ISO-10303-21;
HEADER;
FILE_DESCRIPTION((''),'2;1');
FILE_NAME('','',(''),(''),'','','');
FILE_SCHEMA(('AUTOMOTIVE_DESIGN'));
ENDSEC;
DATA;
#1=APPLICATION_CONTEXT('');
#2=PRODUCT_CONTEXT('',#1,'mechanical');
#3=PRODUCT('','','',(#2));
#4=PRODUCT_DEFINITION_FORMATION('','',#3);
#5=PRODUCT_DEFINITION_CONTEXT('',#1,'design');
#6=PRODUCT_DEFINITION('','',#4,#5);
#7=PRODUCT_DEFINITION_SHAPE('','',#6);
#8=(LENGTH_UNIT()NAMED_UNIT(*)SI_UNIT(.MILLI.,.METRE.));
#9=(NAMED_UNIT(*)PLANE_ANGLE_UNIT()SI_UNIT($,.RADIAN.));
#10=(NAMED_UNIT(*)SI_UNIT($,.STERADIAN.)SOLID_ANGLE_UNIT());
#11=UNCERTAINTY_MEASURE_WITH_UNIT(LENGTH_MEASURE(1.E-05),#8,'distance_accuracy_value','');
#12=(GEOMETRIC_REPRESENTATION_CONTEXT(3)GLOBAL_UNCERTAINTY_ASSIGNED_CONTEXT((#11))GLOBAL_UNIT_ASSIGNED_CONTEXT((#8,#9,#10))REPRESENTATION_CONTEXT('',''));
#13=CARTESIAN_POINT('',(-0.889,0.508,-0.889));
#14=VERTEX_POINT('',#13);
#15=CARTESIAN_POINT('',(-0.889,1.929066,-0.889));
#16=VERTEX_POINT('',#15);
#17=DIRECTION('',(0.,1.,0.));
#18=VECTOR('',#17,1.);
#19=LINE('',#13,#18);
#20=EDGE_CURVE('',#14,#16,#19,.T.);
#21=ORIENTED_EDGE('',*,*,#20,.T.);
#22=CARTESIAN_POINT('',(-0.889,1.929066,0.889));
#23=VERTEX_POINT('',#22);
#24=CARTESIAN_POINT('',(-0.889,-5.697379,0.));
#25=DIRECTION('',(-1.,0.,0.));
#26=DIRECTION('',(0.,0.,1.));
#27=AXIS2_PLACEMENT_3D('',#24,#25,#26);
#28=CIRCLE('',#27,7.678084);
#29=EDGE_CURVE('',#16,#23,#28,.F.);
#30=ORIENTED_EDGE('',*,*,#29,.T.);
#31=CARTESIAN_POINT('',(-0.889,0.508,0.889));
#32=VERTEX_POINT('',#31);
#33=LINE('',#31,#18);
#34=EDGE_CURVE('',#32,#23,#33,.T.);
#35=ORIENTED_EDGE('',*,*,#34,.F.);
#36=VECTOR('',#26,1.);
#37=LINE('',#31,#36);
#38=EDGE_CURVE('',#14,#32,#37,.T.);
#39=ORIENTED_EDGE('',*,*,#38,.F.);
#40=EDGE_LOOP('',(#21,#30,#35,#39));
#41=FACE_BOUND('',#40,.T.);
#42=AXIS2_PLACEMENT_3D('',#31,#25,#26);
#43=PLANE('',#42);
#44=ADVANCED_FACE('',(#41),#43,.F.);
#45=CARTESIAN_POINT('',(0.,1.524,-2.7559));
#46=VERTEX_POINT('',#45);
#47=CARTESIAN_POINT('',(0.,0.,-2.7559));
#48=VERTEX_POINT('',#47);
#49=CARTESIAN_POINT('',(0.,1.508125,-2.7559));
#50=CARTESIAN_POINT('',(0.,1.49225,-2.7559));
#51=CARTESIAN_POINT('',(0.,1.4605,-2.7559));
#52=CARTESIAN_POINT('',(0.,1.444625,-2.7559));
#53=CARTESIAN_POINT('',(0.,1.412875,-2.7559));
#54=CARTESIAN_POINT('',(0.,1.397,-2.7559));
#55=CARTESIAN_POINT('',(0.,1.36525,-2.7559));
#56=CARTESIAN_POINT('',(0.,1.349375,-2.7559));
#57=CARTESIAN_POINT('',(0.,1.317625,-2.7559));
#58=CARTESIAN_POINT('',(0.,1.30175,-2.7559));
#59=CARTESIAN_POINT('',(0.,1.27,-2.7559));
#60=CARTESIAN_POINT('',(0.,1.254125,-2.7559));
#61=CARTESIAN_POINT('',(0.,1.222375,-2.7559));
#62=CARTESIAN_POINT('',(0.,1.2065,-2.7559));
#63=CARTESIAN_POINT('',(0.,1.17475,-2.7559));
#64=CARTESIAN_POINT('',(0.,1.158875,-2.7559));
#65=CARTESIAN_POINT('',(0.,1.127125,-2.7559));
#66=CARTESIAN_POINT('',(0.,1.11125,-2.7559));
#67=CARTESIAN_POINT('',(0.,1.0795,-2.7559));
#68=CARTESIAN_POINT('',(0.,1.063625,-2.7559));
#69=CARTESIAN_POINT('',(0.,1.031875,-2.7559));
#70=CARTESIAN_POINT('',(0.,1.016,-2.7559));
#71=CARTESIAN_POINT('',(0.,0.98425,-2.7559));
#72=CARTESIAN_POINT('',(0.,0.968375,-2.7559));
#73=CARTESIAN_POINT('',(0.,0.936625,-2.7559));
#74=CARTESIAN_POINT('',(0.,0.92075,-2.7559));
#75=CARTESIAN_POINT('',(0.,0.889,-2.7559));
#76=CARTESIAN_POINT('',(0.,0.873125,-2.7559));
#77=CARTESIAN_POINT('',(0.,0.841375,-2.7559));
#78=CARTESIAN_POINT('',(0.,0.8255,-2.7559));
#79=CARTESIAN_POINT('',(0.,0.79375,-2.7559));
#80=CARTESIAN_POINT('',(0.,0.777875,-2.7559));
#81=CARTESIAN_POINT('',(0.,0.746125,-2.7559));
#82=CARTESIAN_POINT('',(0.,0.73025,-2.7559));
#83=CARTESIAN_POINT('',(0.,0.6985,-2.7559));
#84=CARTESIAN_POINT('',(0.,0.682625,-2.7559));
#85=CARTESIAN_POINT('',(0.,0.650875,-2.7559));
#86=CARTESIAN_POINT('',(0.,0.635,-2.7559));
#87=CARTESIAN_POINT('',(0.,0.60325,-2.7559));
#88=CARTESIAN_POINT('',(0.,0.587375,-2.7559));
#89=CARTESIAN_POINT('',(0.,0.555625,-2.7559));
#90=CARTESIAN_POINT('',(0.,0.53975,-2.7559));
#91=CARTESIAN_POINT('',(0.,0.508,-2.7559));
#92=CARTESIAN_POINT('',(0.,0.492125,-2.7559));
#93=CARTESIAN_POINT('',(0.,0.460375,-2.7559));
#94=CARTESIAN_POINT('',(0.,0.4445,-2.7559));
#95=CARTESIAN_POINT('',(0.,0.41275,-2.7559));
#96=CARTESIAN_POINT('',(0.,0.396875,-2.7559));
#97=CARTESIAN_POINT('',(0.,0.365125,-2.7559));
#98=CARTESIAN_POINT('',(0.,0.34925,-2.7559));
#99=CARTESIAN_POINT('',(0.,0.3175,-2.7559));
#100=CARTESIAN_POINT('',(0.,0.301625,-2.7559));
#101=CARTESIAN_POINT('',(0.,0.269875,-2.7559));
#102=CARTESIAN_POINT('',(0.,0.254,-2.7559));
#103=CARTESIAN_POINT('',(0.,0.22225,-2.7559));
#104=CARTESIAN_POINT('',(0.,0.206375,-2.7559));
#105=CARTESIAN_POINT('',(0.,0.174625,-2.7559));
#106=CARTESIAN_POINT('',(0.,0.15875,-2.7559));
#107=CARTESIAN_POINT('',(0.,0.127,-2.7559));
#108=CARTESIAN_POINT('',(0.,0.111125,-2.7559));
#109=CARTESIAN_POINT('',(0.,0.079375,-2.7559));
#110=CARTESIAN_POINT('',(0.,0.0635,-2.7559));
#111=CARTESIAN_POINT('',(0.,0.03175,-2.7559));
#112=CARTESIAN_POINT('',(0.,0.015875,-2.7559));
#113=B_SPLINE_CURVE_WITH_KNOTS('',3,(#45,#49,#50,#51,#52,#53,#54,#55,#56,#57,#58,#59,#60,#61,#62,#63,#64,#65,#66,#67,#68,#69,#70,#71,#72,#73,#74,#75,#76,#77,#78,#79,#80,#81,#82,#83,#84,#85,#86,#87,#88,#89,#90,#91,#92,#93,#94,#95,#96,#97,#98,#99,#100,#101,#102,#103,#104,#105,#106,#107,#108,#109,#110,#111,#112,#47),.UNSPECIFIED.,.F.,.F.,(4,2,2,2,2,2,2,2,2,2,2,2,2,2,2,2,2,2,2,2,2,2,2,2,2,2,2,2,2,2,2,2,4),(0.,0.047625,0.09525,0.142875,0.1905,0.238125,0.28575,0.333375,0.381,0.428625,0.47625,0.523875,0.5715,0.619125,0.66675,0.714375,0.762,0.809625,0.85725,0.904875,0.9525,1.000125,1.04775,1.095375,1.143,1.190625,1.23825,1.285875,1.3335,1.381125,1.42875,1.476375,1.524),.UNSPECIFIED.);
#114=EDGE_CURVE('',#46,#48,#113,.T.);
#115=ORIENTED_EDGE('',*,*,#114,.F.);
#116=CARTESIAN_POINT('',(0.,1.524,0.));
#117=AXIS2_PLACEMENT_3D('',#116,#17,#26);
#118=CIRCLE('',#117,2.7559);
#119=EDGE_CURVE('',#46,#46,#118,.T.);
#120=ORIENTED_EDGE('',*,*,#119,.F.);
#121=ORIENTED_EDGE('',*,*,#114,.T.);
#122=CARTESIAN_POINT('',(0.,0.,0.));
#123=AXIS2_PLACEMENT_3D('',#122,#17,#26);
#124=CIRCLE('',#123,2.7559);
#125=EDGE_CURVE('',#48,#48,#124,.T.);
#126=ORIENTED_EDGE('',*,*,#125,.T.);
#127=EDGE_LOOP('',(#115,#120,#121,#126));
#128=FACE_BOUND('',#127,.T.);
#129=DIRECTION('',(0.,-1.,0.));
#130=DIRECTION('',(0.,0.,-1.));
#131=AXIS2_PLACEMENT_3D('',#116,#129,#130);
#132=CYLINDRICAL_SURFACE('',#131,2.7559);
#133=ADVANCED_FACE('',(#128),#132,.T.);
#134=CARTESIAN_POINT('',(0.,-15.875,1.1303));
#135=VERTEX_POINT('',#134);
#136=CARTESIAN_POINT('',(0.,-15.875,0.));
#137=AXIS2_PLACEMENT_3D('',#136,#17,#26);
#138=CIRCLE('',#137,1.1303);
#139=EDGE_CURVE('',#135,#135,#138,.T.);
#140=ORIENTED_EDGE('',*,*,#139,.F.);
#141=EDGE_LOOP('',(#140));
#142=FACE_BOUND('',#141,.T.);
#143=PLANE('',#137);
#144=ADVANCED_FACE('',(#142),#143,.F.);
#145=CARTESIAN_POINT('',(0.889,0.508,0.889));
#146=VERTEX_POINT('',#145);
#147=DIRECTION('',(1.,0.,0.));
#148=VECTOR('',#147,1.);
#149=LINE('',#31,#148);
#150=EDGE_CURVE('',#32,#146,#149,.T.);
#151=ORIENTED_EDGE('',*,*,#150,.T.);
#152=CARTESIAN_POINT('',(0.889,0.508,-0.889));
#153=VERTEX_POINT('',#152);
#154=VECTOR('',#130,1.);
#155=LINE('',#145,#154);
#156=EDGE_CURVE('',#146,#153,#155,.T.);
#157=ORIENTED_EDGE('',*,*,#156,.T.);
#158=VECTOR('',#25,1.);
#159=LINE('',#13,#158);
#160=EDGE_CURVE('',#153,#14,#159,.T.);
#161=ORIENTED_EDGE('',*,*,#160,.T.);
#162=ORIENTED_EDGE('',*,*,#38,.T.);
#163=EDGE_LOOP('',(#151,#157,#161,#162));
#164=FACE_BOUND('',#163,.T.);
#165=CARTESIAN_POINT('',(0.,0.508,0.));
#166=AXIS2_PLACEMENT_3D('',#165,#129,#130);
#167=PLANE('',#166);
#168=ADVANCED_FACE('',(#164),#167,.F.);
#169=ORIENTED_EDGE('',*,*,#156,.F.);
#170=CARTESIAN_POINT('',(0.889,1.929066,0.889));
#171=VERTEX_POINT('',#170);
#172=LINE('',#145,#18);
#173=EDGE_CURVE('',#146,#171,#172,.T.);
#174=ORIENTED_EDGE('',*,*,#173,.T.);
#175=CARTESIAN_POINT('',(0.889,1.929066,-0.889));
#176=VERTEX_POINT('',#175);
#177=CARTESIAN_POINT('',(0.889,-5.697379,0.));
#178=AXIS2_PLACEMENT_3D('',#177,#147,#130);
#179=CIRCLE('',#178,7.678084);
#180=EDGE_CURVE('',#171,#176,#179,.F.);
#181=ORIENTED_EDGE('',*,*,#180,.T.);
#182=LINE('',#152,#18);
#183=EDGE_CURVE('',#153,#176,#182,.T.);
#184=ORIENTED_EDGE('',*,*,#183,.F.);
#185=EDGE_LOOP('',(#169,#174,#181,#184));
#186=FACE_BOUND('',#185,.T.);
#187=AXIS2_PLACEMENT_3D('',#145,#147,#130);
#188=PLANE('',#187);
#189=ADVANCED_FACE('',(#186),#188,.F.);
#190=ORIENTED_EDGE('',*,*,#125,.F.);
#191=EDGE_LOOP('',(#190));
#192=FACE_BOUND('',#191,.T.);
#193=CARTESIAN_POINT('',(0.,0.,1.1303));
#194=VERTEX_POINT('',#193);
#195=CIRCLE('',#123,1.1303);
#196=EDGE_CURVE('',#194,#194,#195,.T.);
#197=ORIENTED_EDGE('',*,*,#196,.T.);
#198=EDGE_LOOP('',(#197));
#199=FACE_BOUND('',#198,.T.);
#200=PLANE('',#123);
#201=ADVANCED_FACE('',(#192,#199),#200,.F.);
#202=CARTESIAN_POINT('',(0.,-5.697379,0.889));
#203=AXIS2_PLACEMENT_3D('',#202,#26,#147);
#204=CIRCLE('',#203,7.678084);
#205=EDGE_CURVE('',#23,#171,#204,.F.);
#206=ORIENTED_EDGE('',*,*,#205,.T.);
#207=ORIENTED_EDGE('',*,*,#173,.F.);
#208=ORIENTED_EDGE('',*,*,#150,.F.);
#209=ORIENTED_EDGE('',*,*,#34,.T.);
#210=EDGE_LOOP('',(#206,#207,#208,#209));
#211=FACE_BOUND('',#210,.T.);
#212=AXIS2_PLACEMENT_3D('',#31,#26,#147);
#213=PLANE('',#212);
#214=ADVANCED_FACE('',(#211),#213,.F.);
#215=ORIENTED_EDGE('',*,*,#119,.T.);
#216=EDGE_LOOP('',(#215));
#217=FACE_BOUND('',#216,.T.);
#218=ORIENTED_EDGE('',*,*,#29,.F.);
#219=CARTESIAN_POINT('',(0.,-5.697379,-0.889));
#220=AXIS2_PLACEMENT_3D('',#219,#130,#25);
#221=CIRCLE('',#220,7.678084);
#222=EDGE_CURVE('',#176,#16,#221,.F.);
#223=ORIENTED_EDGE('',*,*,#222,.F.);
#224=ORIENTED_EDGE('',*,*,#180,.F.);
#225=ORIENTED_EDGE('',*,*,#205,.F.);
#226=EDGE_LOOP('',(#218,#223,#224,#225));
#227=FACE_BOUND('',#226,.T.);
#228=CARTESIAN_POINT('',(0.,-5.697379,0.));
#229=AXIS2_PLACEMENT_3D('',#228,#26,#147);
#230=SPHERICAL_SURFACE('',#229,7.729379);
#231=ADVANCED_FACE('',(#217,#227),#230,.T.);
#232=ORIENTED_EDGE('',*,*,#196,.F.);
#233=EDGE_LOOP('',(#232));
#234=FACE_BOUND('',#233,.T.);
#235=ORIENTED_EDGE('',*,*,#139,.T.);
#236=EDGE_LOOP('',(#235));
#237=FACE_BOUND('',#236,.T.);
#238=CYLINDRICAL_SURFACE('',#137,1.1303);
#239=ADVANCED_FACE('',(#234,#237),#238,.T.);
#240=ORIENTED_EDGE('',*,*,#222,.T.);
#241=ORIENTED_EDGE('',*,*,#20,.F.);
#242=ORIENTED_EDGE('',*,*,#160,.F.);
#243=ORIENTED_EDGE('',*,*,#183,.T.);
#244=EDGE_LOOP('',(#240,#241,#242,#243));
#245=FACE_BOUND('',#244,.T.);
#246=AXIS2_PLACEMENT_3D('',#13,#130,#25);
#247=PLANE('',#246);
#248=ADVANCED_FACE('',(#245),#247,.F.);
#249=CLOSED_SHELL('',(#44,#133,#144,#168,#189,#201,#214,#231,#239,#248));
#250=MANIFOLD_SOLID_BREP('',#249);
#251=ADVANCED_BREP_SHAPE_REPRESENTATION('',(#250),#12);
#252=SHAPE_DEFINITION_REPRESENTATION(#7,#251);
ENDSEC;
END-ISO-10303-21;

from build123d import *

# Parameters (mm, degrees)
SKETCH1_R            = 1.1303
THREADS_DEPTH        = 15.875
SKETCH2_R            = 2.7559
HEAD_DEPTH           = 1.524
HEADDOME_FACE_RADIUS = 2.7559
HEADDOME_HEIGHT      = 0.508
SKETCH3_W            = 1.778
SKETCH3_H            = 1.778
DRIVER_DEPTH         = 1.524


with BuildPart() as part:
    # Sketch1 → threads (new body)
    with BuildSketch(Plane(origin=(0, 0, 0), x_dir=(1, 0, 0), z_dir=(0, 1, 0))):
        with Locations(Location((0, 0, 0), (0, 0, 270))):
            Circle(SKETCH1_R)
    extrude(amount=-THREADS_DEPTH)

    # Sketch2 → Head (add)
    with BuildSketch(Plane(origin=(0, 0, 0), x_dir=(1, 0, 0), z_dir=(0, 1, 0))):
        with Locations(Location((0, 0, 0), (0, 0, 90))):
            Circle(SKETCH2_R)
    extrude(amount=HEAD_DEPTH)

    # HeadDome: a dome of height H over a round flat face of radius A is a cap of a sphere of radius (A * A + H * H) / (2 * H)
    headdome_r = (HEADDOME_FACE_RADIUS * HEADDOME_FACE_RADIUS + HEADDOME_HEIGHT * HEADDOME_HEIGHT) / (2 * HEADDOME_HEIGHT)
    headdome_base = Plane((0, 1.524, 0), z_dir=(0, 1, 0))
    with Locations(headdome_base.offset(HEADDOME_HEIGHT - headdome_r)):
        headdome_ball = Sphere(headdome_r, mode=Mode.PRIVATE)
    add(split(headdome_ball, bisect_by=headdome_base, keep=Keep.TOP, mode=Mode.PRIVATE))

    # Sketch3 → Driver (cut)
    with BuildSketch(Plane(origin=(0, 2.032, 0), x_dir=(1, 0, 0), z_dir=(0, 1, 0))):
        Rectangle(SKETCH3_W, SKETCH3_H)
    extrude(amount=-DRIVER_DEPTH, mode=Mode.SUBTRACT)


solid = part.part
